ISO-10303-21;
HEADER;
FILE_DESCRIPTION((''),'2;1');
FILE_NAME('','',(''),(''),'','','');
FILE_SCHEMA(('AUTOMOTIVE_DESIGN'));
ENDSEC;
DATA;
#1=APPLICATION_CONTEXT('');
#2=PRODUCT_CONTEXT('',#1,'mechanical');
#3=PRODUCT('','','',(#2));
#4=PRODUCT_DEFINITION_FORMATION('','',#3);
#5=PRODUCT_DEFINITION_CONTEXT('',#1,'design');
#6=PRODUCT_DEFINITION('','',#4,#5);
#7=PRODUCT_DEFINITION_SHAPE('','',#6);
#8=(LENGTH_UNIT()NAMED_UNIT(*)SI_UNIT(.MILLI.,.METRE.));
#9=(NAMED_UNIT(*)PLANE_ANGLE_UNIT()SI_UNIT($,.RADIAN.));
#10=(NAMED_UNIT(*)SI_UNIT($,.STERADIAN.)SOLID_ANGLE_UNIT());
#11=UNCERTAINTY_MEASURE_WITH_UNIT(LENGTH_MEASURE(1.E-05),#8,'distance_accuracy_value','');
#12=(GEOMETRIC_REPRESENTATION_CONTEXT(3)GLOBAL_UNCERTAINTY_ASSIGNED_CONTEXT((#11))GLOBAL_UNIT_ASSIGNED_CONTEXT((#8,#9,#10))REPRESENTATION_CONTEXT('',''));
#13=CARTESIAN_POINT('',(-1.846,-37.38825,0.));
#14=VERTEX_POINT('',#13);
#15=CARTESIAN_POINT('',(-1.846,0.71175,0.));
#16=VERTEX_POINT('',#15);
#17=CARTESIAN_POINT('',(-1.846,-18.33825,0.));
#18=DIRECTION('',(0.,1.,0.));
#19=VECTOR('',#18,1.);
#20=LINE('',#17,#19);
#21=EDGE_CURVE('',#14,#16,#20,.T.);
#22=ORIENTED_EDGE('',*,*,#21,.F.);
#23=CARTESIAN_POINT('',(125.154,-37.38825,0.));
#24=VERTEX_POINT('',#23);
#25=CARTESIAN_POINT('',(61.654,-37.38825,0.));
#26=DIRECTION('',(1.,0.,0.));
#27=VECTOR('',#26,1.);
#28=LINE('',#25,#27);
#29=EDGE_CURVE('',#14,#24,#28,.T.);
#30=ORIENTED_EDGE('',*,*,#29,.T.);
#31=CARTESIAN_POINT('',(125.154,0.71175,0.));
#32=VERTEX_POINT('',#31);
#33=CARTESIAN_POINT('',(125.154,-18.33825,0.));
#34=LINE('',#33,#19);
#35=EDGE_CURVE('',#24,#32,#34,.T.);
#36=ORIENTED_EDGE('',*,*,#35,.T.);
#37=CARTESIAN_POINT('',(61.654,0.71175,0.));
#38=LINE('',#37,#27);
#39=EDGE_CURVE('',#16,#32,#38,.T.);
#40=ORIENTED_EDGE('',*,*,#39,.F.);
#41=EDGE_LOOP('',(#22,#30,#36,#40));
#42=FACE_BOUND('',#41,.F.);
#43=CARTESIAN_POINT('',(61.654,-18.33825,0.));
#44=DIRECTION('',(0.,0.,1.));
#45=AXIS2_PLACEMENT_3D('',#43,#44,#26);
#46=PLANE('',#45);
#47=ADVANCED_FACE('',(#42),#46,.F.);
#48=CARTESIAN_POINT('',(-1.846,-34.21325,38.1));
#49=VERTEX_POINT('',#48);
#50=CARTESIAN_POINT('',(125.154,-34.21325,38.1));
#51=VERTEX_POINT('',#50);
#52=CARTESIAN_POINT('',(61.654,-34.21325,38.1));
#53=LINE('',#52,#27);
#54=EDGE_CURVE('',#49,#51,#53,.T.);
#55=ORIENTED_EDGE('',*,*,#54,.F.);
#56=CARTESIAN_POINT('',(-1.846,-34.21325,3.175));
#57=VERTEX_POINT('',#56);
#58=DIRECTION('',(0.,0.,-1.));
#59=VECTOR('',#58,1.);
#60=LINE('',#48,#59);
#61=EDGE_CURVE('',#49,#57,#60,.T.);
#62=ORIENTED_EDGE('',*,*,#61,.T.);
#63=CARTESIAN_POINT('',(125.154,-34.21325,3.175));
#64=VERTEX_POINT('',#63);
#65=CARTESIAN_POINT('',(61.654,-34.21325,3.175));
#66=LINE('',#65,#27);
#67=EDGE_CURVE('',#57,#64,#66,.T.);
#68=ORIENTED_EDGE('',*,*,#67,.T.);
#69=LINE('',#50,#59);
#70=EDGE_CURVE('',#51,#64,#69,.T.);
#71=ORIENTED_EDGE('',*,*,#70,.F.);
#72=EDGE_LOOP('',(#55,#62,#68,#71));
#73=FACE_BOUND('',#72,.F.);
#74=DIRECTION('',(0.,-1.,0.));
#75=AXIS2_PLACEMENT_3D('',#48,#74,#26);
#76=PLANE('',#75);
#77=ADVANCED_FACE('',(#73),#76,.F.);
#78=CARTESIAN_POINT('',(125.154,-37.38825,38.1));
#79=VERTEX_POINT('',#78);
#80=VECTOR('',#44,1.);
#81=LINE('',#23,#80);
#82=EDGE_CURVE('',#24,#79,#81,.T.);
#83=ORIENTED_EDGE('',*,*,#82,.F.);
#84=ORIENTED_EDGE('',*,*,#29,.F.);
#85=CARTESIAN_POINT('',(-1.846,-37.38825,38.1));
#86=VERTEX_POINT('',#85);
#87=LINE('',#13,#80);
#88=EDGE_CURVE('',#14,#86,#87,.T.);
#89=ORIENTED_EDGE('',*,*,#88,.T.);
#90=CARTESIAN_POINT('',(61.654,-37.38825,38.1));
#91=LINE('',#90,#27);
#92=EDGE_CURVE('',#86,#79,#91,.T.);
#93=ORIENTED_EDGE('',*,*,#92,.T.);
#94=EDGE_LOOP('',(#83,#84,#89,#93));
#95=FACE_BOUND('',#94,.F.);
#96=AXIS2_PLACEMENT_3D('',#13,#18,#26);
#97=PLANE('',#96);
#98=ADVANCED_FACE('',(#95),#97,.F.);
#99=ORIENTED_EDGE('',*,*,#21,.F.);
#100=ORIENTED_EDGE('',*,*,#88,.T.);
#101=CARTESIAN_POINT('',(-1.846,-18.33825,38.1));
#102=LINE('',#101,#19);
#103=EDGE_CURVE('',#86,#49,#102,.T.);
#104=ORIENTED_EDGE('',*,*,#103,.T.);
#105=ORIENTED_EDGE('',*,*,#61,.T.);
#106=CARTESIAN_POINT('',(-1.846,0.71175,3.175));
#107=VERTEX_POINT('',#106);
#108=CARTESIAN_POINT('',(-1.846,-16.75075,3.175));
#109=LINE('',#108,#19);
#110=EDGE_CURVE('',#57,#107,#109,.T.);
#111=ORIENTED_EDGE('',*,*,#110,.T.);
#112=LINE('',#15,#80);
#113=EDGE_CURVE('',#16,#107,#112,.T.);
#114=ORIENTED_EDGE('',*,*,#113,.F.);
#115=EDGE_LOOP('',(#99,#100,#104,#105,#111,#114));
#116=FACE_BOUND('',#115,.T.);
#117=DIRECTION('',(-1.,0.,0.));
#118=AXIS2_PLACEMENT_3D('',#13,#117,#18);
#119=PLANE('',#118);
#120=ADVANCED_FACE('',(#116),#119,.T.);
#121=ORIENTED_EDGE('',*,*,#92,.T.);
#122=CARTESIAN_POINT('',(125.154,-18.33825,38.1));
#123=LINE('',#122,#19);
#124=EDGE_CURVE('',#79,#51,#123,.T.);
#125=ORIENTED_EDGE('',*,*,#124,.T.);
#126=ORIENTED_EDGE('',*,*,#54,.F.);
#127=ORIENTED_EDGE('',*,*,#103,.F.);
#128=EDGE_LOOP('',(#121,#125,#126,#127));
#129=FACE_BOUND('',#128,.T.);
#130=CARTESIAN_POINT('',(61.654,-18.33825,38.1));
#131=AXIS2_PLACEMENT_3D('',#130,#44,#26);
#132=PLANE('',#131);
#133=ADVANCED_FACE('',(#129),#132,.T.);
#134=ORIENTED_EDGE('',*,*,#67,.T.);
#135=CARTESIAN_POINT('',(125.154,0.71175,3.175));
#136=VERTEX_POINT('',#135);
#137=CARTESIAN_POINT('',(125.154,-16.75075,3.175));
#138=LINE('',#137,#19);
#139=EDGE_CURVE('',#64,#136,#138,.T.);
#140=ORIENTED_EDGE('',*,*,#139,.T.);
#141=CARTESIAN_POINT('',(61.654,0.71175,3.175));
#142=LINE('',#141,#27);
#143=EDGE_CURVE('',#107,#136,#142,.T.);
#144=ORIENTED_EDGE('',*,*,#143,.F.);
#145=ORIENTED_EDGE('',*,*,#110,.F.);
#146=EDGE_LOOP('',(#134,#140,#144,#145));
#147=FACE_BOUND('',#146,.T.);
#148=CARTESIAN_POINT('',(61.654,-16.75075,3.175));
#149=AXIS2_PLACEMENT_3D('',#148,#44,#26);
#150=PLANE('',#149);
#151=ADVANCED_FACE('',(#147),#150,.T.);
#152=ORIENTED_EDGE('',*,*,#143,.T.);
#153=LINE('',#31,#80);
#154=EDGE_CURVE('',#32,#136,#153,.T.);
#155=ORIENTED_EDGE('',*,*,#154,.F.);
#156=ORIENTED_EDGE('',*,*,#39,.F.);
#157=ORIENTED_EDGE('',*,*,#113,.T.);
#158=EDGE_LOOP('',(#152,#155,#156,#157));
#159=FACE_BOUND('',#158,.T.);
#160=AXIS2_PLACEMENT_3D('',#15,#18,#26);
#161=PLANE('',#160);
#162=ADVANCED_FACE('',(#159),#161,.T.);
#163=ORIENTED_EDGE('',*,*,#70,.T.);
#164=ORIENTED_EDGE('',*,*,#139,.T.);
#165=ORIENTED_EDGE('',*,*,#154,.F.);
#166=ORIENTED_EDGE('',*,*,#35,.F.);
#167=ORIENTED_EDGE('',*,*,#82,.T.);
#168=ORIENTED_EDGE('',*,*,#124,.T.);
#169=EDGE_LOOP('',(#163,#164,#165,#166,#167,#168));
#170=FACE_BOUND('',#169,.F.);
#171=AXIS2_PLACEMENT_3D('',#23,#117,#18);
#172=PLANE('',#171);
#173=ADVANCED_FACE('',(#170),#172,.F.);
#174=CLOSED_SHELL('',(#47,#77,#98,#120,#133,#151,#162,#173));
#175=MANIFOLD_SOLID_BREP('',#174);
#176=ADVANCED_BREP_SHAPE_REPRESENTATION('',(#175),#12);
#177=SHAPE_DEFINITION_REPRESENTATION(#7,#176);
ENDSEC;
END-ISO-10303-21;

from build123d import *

# Parameters (mm, degrees)
SKETCH1_W           = 127
SKETCH1_H           = 38.1
BOSS_EXTRUDE1_DEPTH = 38.1
SKETCH2_W           = 127
SKETCH2_H           = 34.925
CUT_EXTRUDE1_DEPTH  = 34.925


with BuildPart() as part:
    # Sketch1 → Boss-Extrude1 (new body)
    with BuildSketch(Plane.XY):
        with Locations((61.654, -18.33825)):
            Rectangle(SKETCH1_W, SKETCH1_H)
    extrude(amount=BOSS_EXTRUDE1_DEPTH)

    # Sketch2 → Cut-Extrude1 (cut)
    with BuildSketch(Plane.XY.offset(38.1)):
        with Locations((61.654, -16.75075)):
            Rectangle(SKETCH2_W, SKETCH2_H)
    extrude(amount=-CUT_EXTRUDE1_DEPTH, mode=Mode.SUBTRACT)


solid = part.part
